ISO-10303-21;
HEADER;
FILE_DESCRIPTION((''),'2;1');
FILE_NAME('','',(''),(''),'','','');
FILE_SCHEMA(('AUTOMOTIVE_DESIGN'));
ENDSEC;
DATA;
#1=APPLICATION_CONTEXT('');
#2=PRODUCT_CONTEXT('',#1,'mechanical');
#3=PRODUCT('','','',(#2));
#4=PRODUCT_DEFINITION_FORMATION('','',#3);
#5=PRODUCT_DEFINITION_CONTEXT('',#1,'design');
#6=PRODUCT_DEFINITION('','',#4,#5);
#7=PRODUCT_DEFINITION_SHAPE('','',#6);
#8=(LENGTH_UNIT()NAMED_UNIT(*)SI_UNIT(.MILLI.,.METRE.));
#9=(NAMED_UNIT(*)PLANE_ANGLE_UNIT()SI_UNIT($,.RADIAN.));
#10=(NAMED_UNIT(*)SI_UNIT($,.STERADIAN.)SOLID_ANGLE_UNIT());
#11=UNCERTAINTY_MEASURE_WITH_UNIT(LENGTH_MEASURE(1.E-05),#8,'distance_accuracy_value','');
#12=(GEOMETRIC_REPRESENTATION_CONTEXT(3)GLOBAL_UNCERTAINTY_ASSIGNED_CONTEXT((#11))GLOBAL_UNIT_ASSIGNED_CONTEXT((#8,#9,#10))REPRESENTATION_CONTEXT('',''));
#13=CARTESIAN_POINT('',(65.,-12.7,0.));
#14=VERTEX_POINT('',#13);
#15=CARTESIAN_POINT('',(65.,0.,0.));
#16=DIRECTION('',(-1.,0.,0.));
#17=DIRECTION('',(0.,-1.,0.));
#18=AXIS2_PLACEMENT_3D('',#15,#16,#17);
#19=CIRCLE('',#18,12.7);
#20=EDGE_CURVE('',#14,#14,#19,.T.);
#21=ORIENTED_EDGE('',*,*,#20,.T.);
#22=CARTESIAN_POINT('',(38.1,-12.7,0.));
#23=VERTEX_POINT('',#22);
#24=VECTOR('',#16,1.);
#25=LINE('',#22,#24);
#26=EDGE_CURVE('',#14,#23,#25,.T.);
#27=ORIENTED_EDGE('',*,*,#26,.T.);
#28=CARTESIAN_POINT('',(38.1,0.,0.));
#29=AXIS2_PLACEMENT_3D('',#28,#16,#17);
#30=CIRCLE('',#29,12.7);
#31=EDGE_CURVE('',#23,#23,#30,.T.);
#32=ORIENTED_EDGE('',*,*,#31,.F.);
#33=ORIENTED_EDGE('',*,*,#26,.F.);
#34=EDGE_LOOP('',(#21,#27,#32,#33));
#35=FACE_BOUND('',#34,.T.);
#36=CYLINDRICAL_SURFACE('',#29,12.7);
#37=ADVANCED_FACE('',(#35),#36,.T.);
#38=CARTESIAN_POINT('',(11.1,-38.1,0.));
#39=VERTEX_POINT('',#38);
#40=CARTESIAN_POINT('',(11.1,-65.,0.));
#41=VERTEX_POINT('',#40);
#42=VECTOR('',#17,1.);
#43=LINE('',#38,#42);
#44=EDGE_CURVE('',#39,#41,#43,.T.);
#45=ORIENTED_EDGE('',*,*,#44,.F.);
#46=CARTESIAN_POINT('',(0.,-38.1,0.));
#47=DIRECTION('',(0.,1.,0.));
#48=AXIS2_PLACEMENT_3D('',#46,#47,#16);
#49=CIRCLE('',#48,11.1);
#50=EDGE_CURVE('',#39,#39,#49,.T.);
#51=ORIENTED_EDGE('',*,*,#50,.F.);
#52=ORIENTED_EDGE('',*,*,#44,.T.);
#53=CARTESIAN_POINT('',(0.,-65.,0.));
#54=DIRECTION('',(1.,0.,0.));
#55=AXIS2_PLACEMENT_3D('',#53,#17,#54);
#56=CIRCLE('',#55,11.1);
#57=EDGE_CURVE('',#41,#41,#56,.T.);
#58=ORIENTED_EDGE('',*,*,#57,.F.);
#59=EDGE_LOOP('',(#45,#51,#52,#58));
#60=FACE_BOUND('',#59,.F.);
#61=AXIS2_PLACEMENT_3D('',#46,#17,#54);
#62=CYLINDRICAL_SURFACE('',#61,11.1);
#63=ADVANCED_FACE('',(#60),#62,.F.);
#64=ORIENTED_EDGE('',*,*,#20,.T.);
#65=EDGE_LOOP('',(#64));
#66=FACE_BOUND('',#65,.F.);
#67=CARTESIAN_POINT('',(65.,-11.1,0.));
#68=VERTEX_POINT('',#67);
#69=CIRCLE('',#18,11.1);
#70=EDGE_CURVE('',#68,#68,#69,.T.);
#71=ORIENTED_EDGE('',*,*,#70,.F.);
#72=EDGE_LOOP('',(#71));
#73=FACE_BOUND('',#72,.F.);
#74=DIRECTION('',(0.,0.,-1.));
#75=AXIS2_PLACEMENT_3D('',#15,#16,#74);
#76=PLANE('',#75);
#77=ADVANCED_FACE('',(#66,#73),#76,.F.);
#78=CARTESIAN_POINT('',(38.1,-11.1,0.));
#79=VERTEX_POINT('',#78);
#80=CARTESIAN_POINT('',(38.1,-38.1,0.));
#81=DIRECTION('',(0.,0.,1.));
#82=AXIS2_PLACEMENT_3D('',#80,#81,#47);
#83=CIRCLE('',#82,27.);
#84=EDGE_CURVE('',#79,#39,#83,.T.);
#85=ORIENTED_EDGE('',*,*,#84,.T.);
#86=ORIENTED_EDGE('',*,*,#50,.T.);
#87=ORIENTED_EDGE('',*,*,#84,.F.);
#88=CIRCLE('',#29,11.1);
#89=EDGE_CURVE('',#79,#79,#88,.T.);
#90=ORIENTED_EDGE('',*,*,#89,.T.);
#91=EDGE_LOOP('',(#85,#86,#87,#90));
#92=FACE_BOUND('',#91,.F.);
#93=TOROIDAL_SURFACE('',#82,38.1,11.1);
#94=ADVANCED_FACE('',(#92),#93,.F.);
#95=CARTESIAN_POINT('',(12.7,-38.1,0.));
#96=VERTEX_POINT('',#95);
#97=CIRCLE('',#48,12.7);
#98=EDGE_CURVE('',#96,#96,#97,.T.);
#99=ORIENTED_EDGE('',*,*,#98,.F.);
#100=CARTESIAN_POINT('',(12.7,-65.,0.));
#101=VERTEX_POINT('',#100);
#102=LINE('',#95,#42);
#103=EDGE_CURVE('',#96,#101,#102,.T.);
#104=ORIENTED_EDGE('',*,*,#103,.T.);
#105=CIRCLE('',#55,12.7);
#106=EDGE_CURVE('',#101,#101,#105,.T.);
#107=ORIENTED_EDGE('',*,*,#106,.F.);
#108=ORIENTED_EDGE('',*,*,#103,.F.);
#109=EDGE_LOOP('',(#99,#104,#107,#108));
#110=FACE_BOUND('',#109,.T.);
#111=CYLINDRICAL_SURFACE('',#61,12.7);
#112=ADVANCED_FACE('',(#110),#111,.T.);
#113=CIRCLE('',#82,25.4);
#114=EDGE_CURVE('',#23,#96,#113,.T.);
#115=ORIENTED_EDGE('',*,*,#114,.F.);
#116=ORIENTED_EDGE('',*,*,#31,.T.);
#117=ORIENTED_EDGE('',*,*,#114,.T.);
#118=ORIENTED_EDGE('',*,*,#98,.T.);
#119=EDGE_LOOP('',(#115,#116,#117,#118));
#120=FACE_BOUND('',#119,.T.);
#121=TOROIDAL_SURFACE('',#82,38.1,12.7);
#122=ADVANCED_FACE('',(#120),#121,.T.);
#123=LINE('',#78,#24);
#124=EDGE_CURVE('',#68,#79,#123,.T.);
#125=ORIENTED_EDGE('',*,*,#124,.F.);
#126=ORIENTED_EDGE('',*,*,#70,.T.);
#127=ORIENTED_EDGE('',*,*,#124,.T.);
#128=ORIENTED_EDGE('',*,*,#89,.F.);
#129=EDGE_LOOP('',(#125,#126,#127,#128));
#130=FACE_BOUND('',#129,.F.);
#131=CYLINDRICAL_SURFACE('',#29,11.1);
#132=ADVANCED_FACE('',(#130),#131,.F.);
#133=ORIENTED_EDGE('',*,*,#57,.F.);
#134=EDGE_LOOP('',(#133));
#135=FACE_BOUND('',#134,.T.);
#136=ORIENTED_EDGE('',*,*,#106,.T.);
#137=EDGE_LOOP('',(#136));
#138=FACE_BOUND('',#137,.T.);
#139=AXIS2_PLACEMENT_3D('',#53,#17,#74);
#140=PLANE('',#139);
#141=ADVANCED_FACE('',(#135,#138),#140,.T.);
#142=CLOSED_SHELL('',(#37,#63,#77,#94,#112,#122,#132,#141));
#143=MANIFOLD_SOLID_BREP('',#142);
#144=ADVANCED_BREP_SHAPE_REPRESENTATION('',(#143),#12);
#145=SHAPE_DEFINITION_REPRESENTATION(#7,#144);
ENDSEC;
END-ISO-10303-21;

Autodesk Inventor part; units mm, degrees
ref_plane "YZ Plane" through (0, 0, 0) normal (1, 0, 0) x (0, 1, 0)
ref_plane "XZ Plane" through (0, 0, 0) normal (0, 1, 0) x (-1, 0, 0)
sketch "Szkic6" plane through (0, 0, 0) normal (0, 0, 1) x (1, 0, 0)
  line L0 (-29.6067, 0) -> (35.2678, 0) construction
  line L1 (0, 42.3419) -> (0, -58.3726) construction
  arc A0 (38.1, 0) -> (0, -38.1) centre (38.1, -38.1) ccw
  line L2 (0, -38.1) -> (38.1, -38.1) construction
  line L3 (38.1, -38.1) -> (38.1, 27.4331) construction
  line L4 (38.1, 0) -> (65, 0)
  line L5 (0, -38.1) -> (0, -65)
  point P0 (0, 0)
  dimension "d24" = 38.1
  dimension "d31" = 90
  dimension "d36" = 26.9
  dimension "d37" = 26.9
ref_plane "Płaszczyzna konstrukcyjna2" through (0, -38.1, 0) normal (0, -1, 0) x (1, 0, 0)
sketch "Szkic8" plane through (0, -38.1, 0) normal (0, -1, 0) x (1, 0, 0)
  circle A0 centre (0, 0) radius 12.7
  circle A1 centre (0, 0) radius 11.1
  dimension "d32" = 25.4
  dimension "d33" = 1.6
sweep "Przeciągnięcie2" add profiles "Szkic8" path "Szkic6"
equation "\"d32\" = OD"
equation "\"d33\" = THK"
equation "\"d24\" = R"
equation "\"d31\" = KAT"
equation "\"d36\" = PROSTKA"
equation "\"d37\" = PROSTKA"
equation "\"SzerokośćGięciaPodcięcia\" = Grubość"
equation "\"RozmiarPodcięciaNarożnika\" = 4 * Grubość"
equation "\"PromieńPrzejścia\" = PromieńGięcia"
equation "\"Rozmiar_promienia_Jacobiego\" = PromieńGięcia"
equation "\"Wielk_odstępu\" = Grubość"
equation "\"d2\" = PromieńGięcia"
equation "\"d23\" = PromieńGięcia"
equation "\"R\" = 38.1"
equation "\"OD\" = 25.4"
equation "\"THK\" = 1.6"
equation "\"KAT\" = 90deg"
equation "\"PROSTKA\" = 26.9"
equation "\"Grubość\" = 1.5"
equation "\"PromieńGięcia\" = 3"
properties part number "Kolano 90° ø25,4x1,6 R38,1" material "304L"
